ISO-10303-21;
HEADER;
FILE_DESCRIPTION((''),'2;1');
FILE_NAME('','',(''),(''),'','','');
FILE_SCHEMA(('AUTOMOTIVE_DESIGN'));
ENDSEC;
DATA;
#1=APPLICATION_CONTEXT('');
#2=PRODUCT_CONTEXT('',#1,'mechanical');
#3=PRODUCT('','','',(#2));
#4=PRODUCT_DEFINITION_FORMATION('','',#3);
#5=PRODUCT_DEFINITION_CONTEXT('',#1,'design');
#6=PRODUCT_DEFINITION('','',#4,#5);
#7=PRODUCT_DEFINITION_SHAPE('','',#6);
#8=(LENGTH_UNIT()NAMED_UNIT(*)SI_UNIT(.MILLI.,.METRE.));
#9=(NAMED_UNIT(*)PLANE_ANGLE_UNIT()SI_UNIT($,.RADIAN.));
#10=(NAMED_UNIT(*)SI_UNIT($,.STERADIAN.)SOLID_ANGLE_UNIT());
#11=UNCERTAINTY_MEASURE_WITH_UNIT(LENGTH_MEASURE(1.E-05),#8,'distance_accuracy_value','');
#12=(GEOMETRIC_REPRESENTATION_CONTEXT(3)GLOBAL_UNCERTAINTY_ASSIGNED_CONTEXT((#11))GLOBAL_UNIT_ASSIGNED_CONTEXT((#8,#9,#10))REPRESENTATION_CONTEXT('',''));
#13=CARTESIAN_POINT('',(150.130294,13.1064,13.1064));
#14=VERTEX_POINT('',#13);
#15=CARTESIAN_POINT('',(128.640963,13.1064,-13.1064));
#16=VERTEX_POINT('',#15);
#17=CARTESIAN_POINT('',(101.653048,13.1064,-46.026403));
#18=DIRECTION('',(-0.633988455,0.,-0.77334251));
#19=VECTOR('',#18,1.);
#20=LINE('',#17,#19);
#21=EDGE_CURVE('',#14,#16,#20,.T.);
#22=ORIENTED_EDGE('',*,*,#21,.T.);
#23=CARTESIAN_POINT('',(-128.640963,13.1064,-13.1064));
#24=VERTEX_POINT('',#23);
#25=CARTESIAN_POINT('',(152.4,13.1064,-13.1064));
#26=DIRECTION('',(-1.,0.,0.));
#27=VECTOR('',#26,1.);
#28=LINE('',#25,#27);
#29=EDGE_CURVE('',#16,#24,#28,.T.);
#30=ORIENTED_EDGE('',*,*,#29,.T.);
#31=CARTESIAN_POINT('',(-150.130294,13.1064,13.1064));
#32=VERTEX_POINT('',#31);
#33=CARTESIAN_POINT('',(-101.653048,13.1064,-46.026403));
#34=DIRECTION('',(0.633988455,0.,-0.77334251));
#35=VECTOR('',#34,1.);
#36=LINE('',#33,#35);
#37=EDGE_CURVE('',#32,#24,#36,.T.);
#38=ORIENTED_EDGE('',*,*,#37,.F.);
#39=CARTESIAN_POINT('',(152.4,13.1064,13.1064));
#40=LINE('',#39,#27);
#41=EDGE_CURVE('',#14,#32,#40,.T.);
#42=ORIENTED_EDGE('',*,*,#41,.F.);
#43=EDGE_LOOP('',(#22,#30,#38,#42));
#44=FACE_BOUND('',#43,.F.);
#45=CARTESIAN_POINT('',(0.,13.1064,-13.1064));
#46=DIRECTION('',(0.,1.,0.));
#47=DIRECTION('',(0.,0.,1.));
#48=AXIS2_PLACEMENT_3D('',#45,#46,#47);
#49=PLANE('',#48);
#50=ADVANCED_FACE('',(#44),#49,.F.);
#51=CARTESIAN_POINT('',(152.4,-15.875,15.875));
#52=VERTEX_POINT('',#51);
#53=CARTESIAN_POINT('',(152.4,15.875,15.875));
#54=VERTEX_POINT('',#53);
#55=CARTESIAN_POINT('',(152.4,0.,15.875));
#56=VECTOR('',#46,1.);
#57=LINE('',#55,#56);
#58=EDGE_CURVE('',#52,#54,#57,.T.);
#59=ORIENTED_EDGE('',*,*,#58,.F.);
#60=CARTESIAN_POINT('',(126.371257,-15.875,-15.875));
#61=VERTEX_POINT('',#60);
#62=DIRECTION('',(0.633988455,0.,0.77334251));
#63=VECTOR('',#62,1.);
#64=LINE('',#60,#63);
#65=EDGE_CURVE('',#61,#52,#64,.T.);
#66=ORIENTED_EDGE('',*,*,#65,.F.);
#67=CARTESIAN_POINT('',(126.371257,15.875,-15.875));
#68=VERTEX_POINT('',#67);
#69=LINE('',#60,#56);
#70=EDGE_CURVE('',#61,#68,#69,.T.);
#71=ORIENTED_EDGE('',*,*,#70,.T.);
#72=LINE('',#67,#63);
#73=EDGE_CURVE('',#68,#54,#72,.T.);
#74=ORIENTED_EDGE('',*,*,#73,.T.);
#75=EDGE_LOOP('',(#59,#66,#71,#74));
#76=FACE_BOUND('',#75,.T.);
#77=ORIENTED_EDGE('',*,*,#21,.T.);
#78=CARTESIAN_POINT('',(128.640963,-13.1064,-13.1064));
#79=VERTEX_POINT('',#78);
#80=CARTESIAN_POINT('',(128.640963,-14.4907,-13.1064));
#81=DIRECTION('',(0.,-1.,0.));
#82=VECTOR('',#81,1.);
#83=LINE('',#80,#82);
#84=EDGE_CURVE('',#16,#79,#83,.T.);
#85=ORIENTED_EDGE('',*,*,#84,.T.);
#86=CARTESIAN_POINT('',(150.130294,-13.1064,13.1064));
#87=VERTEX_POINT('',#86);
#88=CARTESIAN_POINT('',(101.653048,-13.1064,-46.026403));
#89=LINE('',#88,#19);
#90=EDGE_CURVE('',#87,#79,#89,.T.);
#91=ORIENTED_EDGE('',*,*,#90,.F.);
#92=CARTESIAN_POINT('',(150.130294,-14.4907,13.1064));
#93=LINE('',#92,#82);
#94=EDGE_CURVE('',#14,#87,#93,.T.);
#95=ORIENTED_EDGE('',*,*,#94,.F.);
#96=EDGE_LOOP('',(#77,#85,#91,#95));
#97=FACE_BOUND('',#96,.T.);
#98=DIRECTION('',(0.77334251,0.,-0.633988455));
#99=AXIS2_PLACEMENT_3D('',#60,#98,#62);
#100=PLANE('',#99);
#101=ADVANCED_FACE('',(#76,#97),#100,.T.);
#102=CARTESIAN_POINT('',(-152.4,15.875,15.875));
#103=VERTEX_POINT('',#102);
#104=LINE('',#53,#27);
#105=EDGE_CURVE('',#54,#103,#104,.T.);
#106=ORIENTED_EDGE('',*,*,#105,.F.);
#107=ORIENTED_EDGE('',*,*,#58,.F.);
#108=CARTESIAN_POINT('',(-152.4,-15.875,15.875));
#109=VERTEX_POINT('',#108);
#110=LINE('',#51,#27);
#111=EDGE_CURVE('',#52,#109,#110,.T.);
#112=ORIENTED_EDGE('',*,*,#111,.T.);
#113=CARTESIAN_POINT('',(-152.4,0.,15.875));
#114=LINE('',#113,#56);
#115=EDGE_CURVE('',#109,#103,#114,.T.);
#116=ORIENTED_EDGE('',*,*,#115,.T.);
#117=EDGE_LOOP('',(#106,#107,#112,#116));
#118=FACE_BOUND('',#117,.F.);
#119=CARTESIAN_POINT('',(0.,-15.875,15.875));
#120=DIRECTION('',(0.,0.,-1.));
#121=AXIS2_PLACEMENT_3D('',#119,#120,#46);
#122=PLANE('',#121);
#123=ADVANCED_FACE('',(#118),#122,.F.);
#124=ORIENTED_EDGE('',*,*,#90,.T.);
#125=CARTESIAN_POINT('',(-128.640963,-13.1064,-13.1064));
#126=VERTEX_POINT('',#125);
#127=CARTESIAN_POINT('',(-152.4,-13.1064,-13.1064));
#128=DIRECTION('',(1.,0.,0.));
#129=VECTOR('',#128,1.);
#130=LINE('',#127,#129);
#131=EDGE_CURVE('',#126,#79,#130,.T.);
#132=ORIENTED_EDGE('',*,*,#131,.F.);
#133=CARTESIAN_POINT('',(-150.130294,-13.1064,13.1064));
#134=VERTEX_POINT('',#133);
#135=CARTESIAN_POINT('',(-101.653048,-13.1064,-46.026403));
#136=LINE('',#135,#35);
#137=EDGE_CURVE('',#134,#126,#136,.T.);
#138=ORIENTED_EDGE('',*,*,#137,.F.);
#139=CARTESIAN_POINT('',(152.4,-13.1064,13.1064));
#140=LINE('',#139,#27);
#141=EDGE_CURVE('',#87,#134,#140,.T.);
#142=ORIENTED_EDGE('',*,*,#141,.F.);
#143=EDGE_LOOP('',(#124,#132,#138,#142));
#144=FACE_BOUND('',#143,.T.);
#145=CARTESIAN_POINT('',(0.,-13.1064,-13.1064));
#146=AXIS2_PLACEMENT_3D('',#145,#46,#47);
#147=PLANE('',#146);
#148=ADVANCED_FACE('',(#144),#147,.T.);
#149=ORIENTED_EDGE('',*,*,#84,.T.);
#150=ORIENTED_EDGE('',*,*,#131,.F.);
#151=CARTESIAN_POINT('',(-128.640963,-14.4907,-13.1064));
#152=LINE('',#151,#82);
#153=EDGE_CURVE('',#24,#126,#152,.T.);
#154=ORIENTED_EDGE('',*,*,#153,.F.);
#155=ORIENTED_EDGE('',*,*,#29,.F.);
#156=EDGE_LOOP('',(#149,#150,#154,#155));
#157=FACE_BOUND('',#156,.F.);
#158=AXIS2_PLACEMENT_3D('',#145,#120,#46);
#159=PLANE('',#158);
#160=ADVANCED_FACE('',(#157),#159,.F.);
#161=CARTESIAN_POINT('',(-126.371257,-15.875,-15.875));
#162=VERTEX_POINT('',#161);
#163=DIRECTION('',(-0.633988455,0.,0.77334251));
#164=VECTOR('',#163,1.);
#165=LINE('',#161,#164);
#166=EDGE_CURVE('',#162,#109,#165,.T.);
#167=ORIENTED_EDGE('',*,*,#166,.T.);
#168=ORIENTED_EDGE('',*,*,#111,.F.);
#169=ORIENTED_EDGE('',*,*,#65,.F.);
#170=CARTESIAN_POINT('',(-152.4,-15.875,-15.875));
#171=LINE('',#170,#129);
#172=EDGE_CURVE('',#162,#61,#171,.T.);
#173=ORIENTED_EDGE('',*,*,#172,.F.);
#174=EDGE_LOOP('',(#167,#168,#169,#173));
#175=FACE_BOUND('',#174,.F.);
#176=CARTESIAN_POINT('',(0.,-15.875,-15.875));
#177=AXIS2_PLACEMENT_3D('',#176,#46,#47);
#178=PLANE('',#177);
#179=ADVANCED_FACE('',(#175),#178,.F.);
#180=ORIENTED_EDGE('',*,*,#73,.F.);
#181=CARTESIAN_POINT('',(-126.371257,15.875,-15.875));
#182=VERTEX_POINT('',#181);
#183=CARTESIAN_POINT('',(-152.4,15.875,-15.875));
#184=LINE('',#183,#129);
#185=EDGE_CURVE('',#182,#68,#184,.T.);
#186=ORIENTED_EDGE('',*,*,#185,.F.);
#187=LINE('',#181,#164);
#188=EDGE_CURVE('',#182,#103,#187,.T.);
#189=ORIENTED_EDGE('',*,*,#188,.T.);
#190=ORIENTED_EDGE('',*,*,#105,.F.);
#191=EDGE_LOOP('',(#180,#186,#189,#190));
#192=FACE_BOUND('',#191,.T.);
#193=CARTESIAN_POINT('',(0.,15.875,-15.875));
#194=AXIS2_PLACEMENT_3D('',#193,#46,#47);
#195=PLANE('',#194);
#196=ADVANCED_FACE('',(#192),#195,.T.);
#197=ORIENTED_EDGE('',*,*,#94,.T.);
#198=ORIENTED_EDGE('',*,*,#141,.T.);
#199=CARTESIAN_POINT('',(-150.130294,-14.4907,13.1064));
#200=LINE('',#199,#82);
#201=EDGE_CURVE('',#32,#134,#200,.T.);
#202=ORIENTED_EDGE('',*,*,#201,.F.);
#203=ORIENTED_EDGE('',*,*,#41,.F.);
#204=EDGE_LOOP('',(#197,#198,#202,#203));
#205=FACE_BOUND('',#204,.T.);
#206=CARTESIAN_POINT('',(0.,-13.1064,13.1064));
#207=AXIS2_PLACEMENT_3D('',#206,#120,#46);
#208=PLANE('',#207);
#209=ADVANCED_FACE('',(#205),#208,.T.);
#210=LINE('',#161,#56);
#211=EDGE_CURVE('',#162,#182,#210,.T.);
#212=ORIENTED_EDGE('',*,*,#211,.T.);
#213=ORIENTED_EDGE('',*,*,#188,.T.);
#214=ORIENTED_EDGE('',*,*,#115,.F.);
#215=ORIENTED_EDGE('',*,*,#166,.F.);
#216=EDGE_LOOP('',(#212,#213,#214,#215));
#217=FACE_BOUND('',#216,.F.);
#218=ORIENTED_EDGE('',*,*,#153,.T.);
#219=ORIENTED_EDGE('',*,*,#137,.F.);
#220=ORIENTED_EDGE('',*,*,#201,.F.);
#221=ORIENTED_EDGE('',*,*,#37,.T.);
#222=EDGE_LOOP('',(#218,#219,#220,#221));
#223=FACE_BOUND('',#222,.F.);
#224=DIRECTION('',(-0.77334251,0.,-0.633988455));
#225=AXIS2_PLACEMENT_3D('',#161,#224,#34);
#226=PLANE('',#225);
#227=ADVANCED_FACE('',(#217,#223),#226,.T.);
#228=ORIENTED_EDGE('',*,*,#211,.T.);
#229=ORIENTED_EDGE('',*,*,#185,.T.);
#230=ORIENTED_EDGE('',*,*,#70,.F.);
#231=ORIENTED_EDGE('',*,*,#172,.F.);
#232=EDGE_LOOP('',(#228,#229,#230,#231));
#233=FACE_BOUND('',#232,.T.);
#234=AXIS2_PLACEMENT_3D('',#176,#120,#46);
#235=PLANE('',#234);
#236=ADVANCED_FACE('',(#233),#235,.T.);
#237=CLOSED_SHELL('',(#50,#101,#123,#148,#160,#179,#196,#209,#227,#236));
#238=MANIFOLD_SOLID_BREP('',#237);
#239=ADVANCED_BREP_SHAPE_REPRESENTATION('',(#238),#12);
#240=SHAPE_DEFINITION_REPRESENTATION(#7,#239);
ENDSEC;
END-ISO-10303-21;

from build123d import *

# Parameters (mm, degrees)
SKETCH_W       = 31.75
SKETCH_H       = 31.75
SKETCH_W_2     = 26.2128
SKETCH_H_2     = 26.2128
PAD_DEPTH      = 152.4
PAD_DEPTH_BACK = 152.4
POCKET_DEPTH   = 31.75


with BuildPart() as part:
    # Sketch → Pad (new body, two sides)
    with BuildSketch(Plane.YZ) as pad_sk:
        Rectangle(SKETCH_W, SKETCH_H)
        Rectangle(SKETCH_W_2, SKETCH_H_2, mode=Mode.SUBTRACT)
    extrude(amount=PAD_DEPTH)
    extrude(pad_sk.sketch, amount=-PAD_DEPTH_BACK)

    # Sketch001 → Pocket (cut)
    with BuildSketch(Plane(origin=(0, -15.875, 0), x_dir=(0, 0, -1), z_dir=(0, -1, 0))):
        Polygon((-15.875, 152.4), (15.875, 152.4), (15.875, 126.371257), align=None)
    pocket = extrude(amount=-POCKET_DEPTH, mode=Mode.SUBTRACT)

    # Mirrored: Pocket across Sketch001 H_Axis
    add(pocket.mirror(Plane(origin=(0, -15.875, 0), x_dir=(0, -1, 0), z_dir=(1, 0, 0))), mode=Mode.SUBTRACT)


solid = part.part
